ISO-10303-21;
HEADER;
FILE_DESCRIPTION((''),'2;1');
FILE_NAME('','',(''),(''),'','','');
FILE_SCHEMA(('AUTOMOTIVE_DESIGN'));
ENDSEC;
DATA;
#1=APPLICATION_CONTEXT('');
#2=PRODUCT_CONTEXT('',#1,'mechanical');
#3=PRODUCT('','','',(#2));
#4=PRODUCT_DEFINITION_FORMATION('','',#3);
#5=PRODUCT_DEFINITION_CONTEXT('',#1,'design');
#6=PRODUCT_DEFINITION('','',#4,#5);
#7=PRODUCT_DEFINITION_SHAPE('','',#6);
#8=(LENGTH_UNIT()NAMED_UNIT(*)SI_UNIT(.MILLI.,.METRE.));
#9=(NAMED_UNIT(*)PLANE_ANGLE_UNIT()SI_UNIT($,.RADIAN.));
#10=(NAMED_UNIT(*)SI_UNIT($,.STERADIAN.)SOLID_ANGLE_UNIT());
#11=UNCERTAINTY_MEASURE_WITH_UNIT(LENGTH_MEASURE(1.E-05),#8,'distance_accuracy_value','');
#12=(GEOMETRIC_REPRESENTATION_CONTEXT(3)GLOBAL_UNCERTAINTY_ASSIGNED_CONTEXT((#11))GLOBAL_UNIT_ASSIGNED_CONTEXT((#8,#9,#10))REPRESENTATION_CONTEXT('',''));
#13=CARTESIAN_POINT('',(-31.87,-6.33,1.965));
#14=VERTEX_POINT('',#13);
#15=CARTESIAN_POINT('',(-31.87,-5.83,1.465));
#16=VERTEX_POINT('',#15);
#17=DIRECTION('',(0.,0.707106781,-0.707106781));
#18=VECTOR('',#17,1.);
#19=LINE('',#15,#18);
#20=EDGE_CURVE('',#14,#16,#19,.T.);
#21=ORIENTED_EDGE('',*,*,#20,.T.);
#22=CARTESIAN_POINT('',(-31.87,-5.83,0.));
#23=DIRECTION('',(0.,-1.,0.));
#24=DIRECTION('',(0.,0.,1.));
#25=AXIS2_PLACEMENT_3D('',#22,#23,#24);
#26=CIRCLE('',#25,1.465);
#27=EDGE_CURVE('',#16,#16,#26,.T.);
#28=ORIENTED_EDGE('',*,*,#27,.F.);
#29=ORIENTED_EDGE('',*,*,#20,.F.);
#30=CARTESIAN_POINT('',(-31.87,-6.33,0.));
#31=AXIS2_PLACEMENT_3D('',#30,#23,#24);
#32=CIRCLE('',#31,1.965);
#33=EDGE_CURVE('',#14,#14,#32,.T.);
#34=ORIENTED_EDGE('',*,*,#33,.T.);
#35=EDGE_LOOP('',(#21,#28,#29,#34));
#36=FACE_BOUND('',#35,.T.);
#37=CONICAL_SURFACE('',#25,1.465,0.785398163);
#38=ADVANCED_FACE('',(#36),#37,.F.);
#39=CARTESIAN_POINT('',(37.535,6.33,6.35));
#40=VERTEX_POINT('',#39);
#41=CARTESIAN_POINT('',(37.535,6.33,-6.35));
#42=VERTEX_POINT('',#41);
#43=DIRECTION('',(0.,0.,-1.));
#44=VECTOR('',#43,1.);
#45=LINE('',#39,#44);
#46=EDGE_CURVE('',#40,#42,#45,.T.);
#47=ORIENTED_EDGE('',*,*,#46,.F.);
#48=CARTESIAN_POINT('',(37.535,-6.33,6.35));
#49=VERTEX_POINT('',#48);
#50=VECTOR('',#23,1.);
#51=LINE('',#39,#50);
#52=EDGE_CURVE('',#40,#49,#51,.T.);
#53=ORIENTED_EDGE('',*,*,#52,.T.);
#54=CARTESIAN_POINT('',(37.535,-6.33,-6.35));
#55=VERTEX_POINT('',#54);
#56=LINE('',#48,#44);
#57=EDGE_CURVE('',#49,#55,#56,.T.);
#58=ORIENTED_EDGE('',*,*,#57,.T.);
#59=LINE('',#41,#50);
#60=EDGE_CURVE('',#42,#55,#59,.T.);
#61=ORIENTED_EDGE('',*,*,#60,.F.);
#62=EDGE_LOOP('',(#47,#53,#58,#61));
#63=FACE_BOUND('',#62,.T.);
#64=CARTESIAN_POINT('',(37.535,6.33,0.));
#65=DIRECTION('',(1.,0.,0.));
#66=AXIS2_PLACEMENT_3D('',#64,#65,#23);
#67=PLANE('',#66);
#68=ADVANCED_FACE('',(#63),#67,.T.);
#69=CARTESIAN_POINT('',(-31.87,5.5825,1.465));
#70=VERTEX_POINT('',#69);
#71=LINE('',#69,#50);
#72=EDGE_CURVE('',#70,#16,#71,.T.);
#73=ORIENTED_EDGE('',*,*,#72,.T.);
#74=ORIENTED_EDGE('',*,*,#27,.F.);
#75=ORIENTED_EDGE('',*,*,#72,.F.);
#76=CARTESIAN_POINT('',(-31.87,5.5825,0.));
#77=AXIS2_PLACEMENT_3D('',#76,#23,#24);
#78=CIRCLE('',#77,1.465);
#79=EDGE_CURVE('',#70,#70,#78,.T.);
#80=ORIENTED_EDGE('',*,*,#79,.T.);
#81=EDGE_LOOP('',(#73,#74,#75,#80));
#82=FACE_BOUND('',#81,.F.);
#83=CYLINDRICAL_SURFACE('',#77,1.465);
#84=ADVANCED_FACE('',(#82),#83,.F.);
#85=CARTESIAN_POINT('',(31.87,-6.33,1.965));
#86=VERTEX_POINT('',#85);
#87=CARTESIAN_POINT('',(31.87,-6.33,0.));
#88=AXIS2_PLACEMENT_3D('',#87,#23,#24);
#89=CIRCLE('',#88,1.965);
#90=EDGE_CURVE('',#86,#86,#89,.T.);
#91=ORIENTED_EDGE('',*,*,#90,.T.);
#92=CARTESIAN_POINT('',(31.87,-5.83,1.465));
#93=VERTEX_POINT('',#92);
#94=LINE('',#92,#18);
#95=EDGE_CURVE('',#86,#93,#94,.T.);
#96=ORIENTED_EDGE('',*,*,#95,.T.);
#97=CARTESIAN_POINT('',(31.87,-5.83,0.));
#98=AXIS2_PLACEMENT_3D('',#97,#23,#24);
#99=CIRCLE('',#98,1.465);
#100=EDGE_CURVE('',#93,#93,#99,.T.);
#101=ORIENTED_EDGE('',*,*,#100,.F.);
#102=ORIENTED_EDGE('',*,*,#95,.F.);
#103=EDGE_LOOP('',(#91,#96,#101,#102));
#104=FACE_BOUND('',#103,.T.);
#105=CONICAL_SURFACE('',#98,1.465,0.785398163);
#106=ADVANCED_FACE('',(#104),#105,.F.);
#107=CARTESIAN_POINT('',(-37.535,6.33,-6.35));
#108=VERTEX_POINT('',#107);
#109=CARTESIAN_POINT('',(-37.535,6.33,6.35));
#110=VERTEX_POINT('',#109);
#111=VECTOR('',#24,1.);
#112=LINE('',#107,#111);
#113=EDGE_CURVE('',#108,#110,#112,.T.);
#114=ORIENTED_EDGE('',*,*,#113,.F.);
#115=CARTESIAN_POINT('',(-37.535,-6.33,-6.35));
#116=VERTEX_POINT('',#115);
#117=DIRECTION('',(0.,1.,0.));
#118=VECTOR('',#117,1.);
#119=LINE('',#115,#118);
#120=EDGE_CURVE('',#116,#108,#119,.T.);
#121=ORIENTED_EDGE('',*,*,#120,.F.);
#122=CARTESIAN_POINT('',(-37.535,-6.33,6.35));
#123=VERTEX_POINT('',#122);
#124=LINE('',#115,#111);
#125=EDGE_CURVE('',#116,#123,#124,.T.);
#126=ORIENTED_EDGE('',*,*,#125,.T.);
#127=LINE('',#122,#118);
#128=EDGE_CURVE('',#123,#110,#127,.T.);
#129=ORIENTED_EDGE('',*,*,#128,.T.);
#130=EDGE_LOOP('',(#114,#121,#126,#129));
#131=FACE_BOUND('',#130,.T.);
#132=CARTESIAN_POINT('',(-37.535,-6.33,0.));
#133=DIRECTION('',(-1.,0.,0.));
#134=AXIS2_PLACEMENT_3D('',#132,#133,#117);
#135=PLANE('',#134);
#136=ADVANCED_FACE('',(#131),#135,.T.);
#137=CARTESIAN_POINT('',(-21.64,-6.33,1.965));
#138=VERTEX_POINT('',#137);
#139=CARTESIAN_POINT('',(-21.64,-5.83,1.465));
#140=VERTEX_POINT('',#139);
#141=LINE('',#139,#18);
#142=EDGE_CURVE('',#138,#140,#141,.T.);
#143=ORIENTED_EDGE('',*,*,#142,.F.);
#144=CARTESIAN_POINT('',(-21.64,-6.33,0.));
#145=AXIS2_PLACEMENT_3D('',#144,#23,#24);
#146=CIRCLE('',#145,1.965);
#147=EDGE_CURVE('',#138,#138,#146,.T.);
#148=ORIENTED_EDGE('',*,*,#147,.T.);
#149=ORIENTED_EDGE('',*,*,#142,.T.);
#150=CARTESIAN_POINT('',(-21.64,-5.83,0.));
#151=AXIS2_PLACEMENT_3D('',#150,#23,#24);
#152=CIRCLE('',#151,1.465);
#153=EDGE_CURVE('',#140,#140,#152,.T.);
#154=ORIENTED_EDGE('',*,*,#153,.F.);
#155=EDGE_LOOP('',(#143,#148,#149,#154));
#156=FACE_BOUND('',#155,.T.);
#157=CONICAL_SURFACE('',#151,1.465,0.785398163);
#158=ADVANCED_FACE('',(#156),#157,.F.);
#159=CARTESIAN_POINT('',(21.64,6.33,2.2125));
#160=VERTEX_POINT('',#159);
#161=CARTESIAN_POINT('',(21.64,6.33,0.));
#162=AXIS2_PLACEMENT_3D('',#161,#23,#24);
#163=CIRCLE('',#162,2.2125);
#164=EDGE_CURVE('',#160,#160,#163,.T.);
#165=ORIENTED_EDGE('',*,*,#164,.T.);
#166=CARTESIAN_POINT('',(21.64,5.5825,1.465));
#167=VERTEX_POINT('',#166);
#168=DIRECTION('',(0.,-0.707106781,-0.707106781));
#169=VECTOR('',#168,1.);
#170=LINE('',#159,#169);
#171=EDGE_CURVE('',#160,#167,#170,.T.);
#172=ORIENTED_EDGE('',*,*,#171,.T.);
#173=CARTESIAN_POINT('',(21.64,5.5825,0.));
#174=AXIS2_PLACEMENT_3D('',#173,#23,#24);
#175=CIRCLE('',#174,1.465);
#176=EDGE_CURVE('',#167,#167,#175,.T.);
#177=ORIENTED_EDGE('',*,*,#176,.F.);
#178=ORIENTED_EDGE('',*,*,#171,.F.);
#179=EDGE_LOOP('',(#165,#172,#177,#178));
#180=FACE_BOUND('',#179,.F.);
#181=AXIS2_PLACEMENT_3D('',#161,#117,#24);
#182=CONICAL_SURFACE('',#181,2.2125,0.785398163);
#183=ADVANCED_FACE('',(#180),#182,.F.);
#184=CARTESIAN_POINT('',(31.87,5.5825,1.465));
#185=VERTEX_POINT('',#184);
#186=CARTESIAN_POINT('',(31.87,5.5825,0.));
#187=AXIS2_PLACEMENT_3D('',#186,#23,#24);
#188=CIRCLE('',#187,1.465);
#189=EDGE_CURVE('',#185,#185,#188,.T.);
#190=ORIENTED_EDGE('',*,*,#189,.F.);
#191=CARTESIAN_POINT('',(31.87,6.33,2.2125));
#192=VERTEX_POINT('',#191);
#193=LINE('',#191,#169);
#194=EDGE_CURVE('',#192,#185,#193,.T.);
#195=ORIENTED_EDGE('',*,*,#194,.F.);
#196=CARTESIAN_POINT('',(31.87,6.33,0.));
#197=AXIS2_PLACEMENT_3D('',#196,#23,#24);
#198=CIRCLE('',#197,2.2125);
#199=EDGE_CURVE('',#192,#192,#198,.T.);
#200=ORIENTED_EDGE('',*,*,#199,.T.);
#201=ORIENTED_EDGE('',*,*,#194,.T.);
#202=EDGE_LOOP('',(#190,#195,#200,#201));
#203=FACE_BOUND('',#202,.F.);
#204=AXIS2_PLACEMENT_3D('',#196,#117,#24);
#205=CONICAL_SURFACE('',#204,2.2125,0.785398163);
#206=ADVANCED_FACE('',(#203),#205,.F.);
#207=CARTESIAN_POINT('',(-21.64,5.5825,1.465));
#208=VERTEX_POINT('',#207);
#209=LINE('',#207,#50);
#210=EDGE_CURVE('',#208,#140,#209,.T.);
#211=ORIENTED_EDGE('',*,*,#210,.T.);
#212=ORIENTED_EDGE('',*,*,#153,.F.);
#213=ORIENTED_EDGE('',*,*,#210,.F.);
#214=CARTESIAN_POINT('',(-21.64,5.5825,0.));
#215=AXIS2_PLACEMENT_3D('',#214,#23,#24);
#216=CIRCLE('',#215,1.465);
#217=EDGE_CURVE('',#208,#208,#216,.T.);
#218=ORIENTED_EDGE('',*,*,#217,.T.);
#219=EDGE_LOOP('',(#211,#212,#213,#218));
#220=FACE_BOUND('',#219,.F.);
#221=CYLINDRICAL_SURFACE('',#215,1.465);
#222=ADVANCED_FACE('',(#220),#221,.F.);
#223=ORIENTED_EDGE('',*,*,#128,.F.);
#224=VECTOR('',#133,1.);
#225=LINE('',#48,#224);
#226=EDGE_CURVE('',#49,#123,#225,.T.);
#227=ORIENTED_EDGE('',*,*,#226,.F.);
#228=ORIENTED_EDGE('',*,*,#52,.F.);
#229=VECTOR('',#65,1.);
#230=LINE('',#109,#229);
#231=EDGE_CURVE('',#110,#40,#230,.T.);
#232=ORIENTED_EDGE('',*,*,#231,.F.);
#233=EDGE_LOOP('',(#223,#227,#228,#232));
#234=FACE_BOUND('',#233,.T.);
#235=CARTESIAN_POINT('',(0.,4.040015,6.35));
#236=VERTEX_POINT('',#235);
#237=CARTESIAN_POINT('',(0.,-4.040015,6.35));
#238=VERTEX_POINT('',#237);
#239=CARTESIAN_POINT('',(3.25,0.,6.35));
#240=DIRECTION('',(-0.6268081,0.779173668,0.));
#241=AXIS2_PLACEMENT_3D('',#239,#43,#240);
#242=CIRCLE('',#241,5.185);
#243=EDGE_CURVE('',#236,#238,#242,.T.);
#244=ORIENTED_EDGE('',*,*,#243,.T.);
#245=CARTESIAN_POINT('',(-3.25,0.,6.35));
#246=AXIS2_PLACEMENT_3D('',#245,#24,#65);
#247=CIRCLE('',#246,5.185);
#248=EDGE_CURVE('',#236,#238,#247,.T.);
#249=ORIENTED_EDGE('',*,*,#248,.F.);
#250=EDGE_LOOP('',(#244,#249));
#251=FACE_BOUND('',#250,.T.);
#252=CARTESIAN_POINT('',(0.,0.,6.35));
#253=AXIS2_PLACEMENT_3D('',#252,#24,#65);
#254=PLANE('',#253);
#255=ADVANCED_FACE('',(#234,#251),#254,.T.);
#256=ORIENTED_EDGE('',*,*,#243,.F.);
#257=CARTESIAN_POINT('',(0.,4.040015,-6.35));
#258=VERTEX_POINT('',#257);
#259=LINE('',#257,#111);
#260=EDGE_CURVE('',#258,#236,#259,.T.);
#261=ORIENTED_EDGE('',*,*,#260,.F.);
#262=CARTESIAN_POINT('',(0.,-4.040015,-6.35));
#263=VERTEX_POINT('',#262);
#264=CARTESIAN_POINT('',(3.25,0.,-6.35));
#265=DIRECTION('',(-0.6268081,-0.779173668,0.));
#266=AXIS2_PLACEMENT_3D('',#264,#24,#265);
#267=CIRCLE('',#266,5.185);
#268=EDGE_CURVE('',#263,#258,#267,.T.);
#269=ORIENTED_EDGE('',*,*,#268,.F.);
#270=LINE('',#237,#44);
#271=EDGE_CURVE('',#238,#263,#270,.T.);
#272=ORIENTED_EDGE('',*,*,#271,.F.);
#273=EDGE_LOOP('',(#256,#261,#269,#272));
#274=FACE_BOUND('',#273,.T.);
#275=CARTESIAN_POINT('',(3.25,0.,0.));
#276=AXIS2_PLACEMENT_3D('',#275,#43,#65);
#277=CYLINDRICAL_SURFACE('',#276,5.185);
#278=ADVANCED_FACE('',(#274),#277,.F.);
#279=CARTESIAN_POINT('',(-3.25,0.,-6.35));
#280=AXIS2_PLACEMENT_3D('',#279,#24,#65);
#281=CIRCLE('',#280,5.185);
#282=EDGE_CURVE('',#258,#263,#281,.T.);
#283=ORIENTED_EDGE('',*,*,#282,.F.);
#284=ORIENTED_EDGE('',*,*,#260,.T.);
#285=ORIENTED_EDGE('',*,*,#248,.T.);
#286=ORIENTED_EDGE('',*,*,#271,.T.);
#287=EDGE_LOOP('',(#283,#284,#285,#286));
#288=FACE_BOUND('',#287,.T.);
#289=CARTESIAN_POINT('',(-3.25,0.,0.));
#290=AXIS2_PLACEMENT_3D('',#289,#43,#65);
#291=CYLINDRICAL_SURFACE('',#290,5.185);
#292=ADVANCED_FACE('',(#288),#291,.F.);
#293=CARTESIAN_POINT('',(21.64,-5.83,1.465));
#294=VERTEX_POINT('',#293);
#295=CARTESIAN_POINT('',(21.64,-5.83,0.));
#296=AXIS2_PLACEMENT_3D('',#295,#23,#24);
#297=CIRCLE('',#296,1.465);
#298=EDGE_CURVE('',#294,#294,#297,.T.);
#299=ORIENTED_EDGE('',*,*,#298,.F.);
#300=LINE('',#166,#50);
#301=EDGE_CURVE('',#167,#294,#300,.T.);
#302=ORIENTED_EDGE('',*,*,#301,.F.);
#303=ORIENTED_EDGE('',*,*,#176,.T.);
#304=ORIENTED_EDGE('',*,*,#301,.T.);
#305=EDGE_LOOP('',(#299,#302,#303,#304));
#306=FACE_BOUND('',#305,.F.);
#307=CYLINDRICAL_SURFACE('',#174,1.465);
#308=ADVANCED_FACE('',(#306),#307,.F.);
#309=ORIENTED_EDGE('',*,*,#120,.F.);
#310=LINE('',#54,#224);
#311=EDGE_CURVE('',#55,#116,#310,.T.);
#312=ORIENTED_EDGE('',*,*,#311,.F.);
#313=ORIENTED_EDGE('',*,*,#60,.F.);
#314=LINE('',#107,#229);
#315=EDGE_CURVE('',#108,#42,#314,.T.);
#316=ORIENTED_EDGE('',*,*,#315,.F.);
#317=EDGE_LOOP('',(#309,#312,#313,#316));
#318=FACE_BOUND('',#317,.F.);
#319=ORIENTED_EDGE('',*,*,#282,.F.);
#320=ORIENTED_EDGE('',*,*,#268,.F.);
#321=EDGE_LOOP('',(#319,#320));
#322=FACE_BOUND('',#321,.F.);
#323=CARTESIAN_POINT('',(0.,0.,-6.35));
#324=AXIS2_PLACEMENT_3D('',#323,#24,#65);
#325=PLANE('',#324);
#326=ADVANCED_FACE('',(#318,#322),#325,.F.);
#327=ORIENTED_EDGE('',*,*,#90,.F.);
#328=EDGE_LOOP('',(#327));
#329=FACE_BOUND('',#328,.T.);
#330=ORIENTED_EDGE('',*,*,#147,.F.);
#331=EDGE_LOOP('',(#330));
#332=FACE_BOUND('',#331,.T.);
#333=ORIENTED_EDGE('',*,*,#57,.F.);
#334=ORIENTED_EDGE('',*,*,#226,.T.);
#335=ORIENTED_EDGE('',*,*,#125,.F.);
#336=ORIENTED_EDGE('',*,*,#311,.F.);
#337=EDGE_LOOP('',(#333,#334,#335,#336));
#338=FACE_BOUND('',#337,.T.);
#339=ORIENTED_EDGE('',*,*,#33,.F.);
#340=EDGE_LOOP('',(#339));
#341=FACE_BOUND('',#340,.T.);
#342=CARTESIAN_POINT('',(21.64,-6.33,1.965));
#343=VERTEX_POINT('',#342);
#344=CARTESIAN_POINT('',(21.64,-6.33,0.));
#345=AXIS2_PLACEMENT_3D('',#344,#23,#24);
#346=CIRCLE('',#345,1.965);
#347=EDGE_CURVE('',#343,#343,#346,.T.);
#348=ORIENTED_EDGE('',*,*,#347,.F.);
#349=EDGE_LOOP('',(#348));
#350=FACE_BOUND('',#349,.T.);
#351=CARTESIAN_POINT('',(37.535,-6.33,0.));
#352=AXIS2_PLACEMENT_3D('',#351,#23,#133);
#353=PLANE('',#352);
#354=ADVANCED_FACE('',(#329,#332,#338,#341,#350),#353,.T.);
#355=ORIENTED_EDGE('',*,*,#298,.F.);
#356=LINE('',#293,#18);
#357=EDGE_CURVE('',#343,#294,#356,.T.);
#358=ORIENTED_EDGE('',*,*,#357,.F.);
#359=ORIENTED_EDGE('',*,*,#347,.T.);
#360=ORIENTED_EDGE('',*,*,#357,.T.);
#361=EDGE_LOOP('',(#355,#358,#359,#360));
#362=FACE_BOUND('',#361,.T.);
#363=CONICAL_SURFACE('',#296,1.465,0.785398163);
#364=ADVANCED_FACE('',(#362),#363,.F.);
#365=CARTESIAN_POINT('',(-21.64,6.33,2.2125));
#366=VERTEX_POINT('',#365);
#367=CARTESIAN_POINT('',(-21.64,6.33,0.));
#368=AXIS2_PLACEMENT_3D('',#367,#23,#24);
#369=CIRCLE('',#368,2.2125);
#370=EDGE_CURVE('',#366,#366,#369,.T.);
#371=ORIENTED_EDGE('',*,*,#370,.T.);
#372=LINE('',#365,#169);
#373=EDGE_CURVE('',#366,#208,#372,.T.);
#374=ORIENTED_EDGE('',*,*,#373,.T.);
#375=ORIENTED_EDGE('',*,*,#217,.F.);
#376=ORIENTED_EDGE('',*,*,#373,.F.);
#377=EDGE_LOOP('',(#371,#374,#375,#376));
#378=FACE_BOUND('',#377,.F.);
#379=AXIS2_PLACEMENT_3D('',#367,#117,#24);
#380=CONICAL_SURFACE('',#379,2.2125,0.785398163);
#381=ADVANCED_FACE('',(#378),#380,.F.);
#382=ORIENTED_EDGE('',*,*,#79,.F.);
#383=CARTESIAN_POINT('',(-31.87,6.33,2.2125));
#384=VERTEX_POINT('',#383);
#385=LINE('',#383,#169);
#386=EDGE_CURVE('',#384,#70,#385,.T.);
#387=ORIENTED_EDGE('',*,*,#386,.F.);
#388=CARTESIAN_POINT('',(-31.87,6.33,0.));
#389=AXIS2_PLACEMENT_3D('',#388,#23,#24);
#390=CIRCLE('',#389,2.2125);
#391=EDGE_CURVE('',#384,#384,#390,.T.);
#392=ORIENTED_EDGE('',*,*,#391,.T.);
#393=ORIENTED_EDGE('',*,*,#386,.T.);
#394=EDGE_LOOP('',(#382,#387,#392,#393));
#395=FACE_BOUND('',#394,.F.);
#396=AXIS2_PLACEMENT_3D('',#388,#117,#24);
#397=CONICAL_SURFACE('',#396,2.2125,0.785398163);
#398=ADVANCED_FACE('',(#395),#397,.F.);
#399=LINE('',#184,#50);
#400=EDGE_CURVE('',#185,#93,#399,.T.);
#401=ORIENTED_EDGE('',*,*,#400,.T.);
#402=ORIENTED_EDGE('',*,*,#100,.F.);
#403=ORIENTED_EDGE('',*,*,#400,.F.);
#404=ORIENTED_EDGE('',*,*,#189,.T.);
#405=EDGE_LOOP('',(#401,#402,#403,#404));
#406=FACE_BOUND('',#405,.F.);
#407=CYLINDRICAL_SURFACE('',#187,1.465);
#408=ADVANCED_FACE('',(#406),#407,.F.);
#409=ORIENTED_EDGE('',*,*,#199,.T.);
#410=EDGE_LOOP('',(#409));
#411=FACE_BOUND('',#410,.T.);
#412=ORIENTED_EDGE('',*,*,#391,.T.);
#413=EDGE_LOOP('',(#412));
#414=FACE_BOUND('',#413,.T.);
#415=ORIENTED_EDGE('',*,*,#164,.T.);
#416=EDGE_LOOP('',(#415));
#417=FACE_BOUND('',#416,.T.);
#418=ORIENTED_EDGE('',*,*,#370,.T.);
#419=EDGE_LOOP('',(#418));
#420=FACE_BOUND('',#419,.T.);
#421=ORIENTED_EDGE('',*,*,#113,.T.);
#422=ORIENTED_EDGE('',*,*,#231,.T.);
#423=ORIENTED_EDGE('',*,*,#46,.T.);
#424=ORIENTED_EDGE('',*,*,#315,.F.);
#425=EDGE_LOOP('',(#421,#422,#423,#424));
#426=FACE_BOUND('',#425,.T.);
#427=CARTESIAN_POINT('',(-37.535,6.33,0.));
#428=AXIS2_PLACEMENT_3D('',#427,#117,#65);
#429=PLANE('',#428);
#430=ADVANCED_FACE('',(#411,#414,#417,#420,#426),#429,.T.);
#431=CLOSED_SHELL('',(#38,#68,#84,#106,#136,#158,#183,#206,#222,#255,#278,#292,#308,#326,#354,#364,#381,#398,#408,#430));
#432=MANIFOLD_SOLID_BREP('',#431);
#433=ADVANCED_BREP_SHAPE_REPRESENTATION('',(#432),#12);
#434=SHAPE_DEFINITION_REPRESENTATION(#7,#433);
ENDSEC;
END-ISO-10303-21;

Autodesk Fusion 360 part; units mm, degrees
sketch "Sketch1" plane through (0, 0, 0) normal (0, 0, 1) x (1, 0, 0)
  line L0 (-37.535, 6.33) -> (37.535, 6.33)
  line L1 (37.535, 6.33) -> (37.535, -6.33)
  line L2 (37.535, -6.33) -> (-37.535, -6.33)
  line L3 (-37.535, -6.33) -> (-37.535, 6.33)
  circle A0 centre (-3.25, 0) radius 5.185
  line L4 (-8.435, -2.5958) -> (-8.435, 3.4826) construction
  line L5 (0, 2.5) -> (0, 20) construction
  circle A1 centre (3.25, 0) radius 5.185
  point P0 (0, 6.33)
  point P1 (37.535, 0)
  dimension "d1" = 75.07
  dimension "d2" = 12.66
  dimension "d3" = 10.37
  dimension "d5" = 29.1
extrude "Extrude1" add sketch "Sketch1" along normal mid plane 12.7
sketch "Sketch2" plane through (0, 6.33, 0) normal (0, 1, 0) x (-1, 0, 0)
  line L0 (37.535, -6.35) -> (37.535, 6.35)
  line L1 (37.535, 6.35) -> (-37.535, 6.35)
  line L2 (-37.535, 6.35) -> (-37.535, -6.35)
  line L3 (-37.535, -6.35) -> (37.535, -6.35)
  circle A0 centre (31.87, 0) radius 1.765
  circle A1 centre (21.64, 0) radius 1.765
  line L4 (0, 20) -> (0, 2.5)
  circle A2 centre (-21.64, 0) radius 1.765
  circle A3 centre (-31.87, 0) radius 1.765
  point P0 (37.535, 0)
  point P1 (23.405, 0)
  point P2 (30.105, 0)
  point P3 (33.635, 0)
  dimension "d8" = 3.53
  dimension "d9" = 6.7
  dimension "d10" = 3.9
hole "Hole1" at (-31.87, 6.33, 0) at (-21.64, 6.33, 0) at (21.64, 6.33, 0) at (31.87, 6.33, 0) direction (0, -1, 0) diameter 2.93 end through all countersink diameter 4.425 countersink angle 90
chamfer "Chamfer1" distance 0.5 angle 45 4 edges at (-32.3998, -6.33, -1.3659) (-22.1698, -6.33, -1.3659) (21.1102, -6.33, -1.3659) (31.3402, -6.33, -1.3659)
